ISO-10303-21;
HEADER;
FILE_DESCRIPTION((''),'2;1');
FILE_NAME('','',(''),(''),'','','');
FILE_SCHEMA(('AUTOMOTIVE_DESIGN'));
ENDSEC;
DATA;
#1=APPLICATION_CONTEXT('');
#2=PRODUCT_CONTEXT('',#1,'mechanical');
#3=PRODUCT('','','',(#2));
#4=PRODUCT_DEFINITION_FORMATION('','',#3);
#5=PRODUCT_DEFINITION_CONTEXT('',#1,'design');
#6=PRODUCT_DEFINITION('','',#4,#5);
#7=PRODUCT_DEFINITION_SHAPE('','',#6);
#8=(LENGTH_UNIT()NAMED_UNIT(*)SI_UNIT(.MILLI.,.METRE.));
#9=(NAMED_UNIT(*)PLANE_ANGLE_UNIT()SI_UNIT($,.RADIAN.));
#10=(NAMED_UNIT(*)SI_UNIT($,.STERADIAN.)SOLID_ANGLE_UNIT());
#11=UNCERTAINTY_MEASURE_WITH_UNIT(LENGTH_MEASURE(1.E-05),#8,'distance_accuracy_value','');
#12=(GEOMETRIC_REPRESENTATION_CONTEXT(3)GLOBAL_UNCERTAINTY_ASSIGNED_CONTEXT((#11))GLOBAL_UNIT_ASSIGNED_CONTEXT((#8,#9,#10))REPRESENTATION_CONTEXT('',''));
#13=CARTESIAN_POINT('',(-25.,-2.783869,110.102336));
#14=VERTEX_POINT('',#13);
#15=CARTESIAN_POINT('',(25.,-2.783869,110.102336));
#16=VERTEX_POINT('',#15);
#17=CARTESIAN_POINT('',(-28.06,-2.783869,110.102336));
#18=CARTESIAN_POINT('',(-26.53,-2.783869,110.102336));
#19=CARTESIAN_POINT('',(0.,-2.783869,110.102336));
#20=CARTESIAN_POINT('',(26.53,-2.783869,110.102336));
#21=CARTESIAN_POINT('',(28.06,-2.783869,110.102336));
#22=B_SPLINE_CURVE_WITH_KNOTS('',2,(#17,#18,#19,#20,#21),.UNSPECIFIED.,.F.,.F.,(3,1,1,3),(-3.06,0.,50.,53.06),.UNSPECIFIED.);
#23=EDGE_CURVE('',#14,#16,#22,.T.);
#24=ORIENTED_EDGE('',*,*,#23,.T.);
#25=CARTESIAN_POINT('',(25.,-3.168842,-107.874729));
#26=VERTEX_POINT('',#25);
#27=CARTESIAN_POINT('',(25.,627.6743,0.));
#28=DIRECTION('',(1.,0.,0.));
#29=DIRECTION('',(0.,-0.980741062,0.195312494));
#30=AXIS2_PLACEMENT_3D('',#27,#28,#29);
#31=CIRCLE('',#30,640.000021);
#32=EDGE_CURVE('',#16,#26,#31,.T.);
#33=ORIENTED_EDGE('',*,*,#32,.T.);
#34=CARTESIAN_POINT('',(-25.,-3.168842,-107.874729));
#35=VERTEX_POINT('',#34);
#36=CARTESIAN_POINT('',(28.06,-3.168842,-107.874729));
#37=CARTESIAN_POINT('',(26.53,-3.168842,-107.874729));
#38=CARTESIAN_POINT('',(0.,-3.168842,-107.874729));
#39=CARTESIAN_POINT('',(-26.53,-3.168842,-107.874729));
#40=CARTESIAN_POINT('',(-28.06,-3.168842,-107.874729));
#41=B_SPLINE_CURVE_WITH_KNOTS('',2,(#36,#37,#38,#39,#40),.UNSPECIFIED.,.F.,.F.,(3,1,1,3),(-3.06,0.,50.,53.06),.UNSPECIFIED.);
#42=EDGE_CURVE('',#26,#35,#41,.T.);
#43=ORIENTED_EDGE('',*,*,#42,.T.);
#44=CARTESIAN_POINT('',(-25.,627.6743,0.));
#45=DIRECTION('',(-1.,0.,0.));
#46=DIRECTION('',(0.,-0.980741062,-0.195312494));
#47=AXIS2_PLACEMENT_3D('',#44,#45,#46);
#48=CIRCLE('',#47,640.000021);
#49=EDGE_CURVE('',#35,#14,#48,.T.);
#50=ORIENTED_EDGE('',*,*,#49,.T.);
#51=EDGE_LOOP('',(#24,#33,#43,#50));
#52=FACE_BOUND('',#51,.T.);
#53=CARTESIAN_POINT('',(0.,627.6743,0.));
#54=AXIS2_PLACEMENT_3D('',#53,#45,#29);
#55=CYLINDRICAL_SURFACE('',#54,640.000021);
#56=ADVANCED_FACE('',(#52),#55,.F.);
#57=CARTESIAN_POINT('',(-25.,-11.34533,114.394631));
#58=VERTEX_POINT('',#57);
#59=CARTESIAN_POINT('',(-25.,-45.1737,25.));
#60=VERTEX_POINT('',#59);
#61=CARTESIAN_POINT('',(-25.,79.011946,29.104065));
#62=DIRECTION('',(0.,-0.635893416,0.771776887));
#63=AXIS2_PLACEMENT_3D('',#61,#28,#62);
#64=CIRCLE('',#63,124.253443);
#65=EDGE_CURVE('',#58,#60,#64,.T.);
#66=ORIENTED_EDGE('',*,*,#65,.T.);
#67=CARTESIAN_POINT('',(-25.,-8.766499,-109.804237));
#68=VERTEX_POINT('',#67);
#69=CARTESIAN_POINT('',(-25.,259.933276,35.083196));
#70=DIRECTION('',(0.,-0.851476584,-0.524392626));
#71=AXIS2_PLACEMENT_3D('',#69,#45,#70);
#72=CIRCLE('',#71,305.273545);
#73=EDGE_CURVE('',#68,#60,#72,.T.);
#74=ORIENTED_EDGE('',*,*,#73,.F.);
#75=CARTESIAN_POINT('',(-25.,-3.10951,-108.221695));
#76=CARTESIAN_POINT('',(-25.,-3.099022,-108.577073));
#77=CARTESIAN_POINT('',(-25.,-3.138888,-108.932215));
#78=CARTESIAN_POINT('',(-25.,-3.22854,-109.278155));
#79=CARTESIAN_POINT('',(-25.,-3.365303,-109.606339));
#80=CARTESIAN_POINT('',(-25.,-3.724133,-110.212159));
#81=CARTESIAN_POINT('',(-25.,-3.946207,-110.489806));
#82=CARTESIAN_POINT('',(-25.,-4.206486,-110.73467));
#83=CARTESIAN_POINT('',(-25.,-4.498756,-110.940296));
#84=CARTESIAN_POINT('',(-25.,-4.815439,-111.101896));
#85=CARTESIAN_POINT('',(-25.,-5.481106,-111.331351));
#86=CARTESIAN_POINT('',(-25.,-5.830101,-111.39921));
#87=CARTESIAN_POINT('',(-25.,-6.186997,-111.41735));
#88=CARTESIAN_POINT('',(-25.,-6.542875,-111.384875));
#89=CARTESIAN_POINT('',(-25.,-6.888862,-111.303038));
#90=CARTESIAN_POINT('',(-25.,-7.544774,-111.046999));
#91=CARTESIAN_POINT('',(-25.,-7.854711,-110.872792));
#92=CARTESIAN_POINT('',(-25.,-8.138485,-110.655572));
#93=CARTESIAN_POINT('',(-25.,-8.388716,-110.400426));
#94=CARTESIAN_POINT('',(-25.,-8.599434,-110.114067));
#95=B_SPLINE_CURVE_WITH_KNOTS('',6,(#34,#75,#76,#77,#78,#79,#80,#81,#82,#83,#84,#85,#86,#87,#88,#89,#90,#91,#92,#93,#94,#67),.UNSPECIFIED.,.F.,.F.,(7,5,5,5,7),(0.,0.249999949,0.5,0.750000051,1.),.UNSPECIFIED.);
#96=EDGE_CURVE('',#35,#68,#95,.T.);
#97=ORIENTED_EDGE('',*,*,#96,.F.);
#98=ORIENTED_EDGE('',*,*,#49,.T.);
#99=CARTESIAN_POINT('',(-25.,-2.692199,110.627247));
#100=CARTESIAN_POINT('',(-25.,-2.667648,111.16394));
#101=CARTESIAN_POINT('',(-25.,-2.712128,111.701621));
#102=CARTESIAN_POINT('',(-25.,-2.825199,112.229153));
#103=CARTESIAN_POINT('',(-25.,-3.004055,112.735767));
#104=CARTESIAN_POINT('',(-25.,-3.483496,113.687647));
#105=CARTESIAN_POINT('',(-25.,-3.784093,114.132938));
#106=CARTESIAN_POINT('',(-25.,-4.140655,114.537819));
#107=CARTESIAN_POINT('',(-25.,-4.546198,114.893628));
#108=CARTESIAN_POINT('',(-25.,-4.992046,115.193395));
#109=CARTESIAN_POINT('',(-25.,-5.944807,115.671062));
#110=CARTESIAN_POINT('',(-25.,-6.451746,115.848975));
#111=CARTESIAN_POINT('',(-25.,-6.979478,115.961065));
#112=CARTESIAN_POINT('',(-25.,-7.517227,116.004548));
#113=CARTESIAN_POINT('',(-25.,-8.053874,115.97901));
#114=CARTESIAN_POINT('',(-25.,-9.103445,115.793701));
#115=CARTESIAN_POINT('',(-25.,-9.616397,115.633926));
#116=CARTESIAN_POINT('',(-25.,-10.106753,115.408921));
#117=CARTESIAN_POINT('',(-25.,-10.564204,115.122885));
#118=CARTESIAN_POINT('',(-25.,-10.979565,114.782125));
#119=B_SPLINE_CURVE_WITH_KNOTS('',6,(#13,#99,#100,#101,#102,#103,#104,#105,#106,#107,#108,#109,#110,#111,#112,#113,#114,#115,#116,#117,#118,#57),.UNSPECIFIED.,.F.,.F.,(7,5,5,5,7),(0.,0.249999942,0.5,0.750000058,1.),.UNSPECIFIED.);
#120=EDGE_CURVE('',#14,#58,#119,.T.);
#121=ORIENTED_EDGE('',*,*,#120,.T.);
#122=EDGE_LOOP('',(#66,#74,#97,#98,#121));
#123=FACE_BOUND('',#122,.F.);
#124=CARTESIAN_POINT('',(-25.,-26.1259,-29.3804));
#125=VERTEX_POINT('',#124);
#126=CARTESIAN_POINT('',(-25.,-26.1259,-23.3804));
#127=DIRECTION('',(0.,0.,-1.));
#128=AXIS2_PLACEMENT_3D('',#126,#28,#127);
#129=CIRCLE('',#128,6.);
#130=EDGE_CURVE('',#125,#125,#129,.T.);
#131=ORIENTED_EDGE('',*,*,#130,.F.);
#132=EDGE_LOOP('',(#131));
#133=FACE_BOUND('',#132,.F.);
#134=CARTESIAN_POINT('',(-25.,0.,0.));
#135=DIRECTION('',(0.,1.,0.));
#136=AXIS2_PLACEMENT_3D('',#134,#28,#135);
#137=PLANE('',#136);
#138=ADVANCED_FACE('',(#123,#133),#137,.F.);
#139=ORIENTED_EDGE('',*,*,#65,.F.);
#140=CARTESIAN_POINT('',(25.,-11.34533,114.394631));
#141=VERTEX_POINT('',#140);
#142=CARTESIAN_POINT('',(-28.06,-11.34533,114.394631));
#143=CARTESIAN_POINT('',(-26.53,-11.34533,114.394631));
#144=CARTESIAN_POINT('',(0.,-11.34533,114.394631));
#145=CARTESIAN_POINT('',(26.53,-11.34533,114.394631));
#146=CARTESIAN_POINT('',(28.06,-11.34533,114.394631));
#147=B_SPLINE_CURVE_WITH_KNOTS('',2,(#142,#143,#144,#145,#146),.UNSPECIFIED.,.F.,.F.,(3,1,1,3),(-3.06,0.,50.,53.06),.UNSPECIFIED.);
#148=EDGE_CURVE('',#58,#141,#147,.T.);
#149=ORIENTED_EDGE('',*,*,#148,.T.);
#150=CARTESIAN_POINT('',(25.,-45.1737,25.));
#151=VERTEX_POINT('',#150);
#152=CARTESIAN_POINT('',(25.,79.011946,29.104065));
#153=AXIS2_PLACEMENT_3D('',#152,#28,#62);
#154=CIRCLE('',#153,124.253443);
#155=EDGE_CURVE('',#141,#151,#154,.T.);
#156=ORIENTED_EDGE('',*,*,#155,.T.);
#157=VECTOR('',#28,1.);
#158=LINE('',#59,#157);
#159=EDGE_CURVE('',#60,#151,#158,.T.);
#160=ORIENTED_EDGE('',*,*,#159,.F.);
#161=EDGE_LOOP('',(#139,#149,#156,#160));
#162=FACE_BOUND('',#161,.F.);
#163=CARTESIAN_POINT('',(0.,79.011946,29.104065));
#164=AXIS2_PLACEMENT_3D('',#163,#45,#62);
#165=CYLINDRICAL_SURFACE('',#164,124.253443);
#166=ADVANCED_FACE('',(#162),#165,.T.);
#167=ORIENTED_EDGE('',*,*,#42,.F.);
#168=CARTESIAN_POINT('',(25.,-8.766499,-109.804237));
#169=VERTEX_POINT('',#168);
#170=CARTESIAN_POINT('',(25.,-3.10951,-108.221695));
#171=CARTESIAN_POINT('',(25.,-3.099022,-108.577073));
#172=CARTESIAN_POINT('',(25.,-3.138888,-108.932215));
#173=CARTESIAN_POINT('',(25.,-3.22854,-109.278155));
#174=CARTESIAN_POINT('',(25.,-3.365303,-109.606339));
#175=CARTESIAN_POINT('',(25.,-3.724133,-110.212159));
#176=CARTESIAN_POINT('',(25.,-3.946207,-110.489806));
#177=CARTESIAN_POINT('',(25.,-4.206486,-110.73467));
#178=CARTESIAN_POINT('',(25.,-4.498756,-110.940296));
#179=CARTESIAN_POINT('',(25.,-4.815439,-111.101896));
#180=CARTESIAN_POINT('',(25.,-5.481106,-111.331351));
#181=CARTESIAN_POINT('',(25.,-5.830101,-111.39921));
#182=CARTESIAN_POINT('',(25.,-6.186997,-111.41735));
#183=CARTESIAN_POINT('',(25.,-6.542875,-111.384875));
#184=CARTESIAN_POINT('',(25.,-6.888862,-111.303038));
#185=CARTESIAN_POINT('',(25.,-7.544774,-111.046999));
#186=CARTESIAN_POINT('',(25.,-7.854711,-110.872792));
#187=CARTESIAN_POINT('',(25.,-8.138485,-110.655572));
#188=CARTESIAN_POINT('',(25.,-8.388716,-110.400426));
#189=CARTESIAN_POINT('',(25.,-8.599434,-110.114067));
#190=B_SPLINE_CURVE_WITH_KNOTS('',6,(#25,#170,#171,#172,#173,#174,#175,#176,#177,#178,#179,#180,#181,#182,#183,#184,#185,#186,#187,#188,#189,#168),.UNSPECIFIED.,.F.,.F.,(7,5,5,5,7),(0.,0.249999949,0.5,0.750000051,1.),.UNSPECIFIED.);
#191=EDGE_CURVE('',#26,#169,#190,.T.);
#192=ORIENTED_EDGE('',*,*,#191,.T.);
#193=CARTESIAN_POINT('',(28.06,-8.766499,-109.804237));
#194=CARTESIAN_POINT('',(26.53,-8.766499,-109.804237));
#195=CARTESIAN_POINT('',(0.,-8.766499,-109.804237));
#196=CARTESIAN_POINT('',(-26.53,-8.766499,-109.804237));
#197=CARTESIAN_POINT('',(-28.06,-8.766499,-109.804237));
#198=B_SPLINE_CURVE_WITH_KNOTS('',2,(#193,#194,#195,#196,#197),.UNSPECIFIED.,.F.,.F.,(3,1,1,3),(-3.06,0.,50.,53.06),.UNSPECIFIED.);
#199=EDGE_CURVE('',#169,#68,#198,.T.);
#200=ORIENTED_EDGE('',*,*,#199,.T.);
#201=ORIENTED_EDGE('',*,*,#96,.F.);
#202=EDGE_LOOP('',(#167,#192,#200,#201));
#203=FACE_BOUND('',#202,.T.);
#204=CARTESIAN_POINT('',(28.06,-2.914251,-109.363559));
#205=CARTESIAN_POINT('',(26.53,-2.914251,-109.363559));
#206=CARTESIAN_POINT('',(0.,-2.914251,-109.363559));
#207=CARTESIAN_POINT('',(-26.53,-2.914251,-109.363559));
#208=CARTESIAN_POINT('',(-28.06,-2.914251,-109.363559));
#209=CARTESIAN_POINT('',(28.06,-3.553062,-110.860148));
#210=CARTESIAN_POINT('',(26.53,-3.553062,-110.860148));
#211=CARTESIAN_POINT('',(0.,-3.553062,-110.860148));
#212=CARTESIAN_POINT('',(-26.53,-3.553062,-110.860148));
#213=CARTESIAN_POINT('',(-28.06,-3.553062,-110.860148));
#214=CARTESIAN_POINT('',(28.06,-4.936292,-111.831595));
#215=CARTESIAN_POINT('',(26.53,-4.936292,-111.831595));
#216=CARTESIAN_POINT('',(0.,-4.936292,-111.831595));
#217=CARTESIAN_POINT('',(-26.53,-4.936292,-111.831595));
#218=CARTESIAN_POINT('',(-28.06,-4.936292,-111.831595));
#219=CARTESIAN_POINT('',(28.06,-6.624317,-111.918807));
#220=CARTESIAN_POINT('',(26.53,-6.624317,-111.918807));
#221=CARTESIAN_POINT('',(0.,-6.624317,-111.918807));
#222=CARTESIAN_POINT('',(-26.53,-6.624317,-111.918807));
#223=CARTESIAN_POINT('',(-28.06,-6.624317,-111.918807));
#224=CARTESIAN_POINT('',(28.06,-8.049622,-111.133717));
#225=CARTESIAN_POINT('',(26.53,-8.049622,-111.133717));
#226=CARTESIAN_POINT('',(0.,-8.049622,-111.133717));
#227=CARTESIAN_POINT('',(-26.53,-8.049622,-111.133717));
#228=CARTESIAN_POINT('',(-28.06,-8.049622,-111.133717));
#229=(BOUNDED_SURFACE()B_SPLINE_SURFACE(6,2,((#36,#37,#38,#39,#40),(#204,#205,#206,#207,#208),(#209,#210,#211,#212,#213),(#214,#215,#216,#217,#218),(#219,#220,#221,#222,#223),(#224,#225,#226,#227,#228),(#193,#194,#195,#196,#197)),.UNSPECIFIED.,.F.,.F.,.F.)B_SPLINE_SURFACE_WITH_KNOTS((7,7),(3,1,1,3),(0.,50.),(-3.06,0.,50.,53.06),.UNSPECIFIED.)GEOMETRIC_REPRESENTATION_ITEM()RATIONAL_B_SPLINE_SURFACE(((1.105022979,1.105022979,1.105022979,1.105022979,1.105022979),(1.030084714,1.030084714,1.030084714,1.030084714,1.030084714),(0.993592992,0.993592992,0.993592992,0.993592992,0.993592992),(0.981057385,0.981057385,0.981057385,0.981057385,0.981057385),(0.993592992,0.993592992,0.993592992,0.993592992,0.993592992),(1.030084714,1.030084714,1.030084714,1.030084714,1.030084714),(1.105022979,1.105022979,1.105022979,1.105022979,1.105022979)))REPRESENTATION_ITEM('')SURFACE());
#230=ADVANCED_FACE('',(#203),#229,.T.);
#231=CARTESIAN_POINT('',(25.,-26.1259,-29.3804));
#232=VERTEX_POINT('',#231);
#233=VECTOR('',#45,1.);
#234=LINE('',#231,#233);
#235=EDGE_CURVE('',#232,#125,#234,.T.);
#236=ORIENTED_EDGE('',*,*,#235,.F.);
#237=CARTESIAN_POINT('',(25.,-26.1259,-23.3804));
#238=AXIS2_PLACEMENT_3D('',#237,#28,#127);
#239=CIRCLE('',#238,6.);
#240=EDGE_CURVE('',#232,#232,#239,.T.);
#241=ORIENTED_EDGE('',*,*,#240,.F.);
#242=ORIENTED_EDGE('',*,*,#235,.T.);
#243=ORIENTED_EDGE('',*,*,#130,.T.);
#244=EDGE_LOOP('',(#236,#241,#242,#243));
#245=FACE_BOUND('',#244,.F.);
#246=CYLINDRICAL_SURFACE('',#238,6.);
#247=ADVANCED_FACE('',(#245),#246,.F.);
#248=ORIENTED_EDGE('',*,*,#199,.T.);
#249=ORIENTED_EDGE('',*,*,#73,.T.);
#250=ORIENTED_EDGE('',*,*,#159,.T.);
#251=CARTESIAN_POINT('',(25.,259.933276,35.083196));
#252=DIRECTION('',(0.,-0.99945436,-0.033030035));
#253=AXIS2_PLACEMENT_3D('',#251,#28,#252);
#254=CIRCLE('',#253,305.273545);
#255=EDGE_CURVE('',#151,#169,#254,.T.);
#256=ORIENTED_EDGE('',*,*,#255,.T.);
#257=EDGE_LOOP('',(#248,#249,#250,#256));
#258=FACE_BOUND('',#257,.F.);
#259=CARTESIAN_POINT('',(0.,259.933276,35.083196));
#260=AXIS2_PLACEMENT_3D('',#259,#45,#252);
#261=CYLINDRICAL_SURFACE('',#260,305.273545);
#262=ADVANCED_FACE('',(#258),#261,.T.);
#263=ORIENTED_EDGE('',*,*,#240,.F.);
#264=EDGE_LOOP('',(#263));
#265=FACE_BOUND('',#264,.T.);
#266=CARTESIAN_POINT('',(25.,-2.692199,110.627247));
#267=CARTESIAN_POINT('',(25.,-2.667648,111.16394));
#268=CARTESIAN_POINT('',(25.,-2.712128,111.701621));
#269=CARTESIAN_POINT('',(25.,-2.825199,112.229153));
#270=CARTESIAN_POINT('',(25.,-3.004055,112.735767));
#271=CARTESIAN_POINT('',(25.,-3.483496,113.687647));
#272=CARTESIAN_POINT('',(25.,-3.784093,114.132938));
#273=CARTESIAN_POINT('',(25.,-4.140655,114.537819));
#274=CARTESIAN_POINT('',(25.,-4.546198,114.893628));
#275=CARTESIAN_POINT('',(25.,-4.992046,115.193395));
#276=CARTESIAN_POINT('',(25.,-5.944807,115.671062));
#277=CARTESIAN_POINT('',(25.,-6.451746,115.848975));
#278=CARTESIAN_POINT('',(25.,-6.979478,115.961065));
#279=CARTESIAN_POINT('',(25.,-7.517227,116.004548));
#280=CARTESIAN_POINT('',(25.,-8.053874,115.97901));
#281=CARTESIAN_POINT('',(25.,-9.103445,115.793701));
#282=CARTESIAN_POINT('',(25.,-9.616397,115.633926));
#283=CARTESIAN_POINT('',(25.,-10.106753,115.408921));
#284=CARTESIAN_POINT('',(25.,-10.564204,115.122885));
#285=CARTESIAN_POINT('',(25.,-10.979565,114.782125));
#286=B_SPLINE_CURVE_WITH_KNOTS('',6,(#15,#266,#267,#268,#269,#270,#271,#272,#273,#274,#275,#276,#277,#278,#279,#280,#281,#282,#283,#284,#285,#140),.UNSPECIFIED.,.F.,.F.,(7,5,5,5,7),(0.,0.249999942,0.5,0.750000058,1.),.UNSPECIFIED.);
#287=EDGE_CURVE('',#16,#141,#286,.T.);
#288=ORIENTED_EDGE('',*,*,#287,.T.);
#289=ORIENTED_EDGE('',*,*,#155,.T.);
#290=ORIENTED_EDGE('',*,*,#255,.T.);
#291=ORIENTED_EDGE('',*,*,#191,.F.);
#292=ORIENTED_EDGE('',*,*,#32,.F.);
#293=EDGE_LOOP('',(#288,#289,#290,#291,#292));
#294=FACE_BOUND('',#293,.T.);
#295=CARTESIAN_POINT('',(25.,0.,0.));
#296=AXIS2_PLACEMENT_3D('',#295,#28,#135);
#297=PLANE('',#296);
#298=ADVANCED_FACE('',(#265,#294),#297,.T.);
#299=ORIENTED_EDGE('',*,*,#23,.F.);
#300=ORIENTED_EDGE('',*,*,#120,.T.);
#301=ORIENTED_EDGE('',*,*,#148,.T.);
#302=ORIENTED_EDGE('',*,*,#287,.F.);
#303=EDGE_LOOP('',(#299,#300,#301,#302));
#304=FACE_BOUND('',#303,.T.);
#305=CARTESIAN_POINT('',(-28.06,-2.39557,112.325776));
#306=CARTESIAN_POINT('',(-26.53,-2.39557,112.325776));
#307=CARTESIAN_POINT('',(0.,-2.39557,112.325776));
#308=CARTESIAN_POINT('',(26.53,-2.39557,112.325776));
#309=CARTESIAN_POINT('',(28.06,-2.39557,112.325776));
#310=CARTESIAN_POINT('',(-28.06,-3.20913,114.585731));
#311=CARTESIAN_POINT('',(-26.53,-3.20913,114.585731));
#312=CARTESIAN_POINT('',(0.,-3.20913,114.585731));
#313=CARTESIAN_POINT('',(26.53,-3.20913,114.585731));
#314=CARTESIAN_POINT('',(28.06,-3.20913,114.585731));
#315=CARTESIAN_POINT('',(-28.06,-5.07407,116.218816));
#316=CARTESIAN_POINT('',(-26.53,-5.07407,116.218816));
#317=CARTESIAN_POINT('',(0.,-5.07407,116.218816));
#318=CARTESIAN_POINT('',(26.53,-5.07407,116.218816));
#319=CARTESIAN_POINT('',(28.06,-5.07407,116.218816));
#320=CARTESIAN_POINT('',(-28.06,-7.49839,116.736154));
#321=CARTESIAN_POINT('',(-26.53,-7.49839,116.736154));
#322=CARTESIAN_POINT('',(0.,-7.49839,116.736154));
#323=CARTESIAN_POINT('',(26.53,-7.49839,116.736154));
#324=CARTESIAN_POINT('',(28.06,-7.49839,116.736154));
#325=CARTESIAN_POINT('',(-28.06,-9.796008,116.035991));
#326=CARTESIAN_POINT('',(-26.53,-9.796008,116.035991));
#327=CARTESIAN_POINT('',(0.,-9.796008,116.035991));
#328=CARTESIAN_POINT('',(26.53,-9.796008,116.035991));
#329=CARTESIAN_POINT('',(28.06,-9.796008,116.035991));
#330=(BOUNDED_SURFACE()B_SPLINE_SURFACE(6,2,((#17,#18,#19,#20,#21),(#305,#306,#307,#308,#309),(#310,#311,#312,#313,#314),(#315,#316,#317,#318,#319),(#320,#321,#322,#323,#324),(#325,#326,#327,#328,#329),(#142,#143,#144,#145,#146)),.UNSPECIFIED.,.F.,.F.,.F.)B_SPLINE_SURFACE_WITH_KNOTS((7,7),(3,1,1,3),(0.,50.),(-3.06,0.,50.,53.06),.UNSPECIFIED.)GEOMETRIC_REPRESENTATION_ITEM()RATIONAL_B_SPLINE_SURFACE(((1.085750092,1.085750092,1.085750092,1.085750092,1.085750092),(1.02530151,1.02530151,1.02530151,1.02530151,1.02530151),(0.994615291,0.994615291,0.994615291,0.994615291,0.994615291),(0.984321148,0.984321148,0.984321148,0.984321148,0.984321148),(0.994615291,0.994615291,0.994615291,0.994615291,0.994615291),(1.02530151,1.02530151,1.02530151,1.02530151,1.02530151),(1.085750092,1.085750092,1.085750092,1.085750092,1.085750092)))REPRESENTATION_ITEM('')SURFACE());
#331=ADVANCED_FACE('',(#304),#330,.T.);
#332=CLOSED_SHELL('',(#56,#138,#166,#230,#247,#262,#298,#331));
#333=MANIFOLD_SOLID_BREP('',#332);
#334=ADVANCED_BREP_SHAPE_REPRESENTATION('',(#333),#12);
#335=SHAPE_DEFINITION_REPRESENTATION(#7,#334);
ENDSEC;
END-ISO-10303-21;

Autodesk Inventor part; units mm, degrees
ref_plane "YZ Plane" through (0, 0, 0) normal (1, 0, 0) x (0, 1, 0)
ref_plane "XZ Plane" through (0, 0, 0) normal (0, 1, 0) x (-1, 0, 0)
ref_plane "XY Plane" through (0, 0, 0) normal (0, 0, 1) x (1, 0, 0)
sketch "スケッチ1" plane through (0, 0, 0) normal (1, 0, 0) x (0, 1, 0)
  line L0 (0, 125) -> (0, -125)
  line L1 (-193.7075, 0) -> (764.5712, 0) projected
  arc A0 (0, 125) -> (0, -125) centre (627.6743, 0) ccw
  arc A1 (0, 125) -> (-45.1737, 25) centre (79.0119, 29.1041) ccw
  arc A2 (-45.1737, 25) -> (0, -125) centre (259.9333, 35.0832) ccw
  point P0 (0, 0)
  point P1 (0, 0)
  dimension "d0" = 250
  dimension "d1" = 640
  dimension "d16" = 100
extrude "押し出し4" add sketch "スケッチ1" along normal mid plane 50 contours A0 L1 A2 A1 | A0 A2 L1
fillet "フィレット3" radius 5 1 edges at (0, 0, 125)
fillet "フィレット3" radius 3 1 edges at (0, 0, -125)
sketch "スケッチ4" plane through (25, 0, 0) normal (1, 0, 0) x (0, 0, -1)
  circle A0 centre (23.3804, -26.1259) radius 6
  arc A1 (109.8042, -8.7665) -> (107.8747, -3.1688) centre (108.3804, -6.1259) ccw projected
  point P0 (0, 0)
  dimension "d21" = 12
  dimension "d22" = 85
  dimension "d23" = 20
extrude "押し出し5" cut sketch "スケッチ4" against normal through all
properties part number "styro_50_sub" material "ポリスチレン"
